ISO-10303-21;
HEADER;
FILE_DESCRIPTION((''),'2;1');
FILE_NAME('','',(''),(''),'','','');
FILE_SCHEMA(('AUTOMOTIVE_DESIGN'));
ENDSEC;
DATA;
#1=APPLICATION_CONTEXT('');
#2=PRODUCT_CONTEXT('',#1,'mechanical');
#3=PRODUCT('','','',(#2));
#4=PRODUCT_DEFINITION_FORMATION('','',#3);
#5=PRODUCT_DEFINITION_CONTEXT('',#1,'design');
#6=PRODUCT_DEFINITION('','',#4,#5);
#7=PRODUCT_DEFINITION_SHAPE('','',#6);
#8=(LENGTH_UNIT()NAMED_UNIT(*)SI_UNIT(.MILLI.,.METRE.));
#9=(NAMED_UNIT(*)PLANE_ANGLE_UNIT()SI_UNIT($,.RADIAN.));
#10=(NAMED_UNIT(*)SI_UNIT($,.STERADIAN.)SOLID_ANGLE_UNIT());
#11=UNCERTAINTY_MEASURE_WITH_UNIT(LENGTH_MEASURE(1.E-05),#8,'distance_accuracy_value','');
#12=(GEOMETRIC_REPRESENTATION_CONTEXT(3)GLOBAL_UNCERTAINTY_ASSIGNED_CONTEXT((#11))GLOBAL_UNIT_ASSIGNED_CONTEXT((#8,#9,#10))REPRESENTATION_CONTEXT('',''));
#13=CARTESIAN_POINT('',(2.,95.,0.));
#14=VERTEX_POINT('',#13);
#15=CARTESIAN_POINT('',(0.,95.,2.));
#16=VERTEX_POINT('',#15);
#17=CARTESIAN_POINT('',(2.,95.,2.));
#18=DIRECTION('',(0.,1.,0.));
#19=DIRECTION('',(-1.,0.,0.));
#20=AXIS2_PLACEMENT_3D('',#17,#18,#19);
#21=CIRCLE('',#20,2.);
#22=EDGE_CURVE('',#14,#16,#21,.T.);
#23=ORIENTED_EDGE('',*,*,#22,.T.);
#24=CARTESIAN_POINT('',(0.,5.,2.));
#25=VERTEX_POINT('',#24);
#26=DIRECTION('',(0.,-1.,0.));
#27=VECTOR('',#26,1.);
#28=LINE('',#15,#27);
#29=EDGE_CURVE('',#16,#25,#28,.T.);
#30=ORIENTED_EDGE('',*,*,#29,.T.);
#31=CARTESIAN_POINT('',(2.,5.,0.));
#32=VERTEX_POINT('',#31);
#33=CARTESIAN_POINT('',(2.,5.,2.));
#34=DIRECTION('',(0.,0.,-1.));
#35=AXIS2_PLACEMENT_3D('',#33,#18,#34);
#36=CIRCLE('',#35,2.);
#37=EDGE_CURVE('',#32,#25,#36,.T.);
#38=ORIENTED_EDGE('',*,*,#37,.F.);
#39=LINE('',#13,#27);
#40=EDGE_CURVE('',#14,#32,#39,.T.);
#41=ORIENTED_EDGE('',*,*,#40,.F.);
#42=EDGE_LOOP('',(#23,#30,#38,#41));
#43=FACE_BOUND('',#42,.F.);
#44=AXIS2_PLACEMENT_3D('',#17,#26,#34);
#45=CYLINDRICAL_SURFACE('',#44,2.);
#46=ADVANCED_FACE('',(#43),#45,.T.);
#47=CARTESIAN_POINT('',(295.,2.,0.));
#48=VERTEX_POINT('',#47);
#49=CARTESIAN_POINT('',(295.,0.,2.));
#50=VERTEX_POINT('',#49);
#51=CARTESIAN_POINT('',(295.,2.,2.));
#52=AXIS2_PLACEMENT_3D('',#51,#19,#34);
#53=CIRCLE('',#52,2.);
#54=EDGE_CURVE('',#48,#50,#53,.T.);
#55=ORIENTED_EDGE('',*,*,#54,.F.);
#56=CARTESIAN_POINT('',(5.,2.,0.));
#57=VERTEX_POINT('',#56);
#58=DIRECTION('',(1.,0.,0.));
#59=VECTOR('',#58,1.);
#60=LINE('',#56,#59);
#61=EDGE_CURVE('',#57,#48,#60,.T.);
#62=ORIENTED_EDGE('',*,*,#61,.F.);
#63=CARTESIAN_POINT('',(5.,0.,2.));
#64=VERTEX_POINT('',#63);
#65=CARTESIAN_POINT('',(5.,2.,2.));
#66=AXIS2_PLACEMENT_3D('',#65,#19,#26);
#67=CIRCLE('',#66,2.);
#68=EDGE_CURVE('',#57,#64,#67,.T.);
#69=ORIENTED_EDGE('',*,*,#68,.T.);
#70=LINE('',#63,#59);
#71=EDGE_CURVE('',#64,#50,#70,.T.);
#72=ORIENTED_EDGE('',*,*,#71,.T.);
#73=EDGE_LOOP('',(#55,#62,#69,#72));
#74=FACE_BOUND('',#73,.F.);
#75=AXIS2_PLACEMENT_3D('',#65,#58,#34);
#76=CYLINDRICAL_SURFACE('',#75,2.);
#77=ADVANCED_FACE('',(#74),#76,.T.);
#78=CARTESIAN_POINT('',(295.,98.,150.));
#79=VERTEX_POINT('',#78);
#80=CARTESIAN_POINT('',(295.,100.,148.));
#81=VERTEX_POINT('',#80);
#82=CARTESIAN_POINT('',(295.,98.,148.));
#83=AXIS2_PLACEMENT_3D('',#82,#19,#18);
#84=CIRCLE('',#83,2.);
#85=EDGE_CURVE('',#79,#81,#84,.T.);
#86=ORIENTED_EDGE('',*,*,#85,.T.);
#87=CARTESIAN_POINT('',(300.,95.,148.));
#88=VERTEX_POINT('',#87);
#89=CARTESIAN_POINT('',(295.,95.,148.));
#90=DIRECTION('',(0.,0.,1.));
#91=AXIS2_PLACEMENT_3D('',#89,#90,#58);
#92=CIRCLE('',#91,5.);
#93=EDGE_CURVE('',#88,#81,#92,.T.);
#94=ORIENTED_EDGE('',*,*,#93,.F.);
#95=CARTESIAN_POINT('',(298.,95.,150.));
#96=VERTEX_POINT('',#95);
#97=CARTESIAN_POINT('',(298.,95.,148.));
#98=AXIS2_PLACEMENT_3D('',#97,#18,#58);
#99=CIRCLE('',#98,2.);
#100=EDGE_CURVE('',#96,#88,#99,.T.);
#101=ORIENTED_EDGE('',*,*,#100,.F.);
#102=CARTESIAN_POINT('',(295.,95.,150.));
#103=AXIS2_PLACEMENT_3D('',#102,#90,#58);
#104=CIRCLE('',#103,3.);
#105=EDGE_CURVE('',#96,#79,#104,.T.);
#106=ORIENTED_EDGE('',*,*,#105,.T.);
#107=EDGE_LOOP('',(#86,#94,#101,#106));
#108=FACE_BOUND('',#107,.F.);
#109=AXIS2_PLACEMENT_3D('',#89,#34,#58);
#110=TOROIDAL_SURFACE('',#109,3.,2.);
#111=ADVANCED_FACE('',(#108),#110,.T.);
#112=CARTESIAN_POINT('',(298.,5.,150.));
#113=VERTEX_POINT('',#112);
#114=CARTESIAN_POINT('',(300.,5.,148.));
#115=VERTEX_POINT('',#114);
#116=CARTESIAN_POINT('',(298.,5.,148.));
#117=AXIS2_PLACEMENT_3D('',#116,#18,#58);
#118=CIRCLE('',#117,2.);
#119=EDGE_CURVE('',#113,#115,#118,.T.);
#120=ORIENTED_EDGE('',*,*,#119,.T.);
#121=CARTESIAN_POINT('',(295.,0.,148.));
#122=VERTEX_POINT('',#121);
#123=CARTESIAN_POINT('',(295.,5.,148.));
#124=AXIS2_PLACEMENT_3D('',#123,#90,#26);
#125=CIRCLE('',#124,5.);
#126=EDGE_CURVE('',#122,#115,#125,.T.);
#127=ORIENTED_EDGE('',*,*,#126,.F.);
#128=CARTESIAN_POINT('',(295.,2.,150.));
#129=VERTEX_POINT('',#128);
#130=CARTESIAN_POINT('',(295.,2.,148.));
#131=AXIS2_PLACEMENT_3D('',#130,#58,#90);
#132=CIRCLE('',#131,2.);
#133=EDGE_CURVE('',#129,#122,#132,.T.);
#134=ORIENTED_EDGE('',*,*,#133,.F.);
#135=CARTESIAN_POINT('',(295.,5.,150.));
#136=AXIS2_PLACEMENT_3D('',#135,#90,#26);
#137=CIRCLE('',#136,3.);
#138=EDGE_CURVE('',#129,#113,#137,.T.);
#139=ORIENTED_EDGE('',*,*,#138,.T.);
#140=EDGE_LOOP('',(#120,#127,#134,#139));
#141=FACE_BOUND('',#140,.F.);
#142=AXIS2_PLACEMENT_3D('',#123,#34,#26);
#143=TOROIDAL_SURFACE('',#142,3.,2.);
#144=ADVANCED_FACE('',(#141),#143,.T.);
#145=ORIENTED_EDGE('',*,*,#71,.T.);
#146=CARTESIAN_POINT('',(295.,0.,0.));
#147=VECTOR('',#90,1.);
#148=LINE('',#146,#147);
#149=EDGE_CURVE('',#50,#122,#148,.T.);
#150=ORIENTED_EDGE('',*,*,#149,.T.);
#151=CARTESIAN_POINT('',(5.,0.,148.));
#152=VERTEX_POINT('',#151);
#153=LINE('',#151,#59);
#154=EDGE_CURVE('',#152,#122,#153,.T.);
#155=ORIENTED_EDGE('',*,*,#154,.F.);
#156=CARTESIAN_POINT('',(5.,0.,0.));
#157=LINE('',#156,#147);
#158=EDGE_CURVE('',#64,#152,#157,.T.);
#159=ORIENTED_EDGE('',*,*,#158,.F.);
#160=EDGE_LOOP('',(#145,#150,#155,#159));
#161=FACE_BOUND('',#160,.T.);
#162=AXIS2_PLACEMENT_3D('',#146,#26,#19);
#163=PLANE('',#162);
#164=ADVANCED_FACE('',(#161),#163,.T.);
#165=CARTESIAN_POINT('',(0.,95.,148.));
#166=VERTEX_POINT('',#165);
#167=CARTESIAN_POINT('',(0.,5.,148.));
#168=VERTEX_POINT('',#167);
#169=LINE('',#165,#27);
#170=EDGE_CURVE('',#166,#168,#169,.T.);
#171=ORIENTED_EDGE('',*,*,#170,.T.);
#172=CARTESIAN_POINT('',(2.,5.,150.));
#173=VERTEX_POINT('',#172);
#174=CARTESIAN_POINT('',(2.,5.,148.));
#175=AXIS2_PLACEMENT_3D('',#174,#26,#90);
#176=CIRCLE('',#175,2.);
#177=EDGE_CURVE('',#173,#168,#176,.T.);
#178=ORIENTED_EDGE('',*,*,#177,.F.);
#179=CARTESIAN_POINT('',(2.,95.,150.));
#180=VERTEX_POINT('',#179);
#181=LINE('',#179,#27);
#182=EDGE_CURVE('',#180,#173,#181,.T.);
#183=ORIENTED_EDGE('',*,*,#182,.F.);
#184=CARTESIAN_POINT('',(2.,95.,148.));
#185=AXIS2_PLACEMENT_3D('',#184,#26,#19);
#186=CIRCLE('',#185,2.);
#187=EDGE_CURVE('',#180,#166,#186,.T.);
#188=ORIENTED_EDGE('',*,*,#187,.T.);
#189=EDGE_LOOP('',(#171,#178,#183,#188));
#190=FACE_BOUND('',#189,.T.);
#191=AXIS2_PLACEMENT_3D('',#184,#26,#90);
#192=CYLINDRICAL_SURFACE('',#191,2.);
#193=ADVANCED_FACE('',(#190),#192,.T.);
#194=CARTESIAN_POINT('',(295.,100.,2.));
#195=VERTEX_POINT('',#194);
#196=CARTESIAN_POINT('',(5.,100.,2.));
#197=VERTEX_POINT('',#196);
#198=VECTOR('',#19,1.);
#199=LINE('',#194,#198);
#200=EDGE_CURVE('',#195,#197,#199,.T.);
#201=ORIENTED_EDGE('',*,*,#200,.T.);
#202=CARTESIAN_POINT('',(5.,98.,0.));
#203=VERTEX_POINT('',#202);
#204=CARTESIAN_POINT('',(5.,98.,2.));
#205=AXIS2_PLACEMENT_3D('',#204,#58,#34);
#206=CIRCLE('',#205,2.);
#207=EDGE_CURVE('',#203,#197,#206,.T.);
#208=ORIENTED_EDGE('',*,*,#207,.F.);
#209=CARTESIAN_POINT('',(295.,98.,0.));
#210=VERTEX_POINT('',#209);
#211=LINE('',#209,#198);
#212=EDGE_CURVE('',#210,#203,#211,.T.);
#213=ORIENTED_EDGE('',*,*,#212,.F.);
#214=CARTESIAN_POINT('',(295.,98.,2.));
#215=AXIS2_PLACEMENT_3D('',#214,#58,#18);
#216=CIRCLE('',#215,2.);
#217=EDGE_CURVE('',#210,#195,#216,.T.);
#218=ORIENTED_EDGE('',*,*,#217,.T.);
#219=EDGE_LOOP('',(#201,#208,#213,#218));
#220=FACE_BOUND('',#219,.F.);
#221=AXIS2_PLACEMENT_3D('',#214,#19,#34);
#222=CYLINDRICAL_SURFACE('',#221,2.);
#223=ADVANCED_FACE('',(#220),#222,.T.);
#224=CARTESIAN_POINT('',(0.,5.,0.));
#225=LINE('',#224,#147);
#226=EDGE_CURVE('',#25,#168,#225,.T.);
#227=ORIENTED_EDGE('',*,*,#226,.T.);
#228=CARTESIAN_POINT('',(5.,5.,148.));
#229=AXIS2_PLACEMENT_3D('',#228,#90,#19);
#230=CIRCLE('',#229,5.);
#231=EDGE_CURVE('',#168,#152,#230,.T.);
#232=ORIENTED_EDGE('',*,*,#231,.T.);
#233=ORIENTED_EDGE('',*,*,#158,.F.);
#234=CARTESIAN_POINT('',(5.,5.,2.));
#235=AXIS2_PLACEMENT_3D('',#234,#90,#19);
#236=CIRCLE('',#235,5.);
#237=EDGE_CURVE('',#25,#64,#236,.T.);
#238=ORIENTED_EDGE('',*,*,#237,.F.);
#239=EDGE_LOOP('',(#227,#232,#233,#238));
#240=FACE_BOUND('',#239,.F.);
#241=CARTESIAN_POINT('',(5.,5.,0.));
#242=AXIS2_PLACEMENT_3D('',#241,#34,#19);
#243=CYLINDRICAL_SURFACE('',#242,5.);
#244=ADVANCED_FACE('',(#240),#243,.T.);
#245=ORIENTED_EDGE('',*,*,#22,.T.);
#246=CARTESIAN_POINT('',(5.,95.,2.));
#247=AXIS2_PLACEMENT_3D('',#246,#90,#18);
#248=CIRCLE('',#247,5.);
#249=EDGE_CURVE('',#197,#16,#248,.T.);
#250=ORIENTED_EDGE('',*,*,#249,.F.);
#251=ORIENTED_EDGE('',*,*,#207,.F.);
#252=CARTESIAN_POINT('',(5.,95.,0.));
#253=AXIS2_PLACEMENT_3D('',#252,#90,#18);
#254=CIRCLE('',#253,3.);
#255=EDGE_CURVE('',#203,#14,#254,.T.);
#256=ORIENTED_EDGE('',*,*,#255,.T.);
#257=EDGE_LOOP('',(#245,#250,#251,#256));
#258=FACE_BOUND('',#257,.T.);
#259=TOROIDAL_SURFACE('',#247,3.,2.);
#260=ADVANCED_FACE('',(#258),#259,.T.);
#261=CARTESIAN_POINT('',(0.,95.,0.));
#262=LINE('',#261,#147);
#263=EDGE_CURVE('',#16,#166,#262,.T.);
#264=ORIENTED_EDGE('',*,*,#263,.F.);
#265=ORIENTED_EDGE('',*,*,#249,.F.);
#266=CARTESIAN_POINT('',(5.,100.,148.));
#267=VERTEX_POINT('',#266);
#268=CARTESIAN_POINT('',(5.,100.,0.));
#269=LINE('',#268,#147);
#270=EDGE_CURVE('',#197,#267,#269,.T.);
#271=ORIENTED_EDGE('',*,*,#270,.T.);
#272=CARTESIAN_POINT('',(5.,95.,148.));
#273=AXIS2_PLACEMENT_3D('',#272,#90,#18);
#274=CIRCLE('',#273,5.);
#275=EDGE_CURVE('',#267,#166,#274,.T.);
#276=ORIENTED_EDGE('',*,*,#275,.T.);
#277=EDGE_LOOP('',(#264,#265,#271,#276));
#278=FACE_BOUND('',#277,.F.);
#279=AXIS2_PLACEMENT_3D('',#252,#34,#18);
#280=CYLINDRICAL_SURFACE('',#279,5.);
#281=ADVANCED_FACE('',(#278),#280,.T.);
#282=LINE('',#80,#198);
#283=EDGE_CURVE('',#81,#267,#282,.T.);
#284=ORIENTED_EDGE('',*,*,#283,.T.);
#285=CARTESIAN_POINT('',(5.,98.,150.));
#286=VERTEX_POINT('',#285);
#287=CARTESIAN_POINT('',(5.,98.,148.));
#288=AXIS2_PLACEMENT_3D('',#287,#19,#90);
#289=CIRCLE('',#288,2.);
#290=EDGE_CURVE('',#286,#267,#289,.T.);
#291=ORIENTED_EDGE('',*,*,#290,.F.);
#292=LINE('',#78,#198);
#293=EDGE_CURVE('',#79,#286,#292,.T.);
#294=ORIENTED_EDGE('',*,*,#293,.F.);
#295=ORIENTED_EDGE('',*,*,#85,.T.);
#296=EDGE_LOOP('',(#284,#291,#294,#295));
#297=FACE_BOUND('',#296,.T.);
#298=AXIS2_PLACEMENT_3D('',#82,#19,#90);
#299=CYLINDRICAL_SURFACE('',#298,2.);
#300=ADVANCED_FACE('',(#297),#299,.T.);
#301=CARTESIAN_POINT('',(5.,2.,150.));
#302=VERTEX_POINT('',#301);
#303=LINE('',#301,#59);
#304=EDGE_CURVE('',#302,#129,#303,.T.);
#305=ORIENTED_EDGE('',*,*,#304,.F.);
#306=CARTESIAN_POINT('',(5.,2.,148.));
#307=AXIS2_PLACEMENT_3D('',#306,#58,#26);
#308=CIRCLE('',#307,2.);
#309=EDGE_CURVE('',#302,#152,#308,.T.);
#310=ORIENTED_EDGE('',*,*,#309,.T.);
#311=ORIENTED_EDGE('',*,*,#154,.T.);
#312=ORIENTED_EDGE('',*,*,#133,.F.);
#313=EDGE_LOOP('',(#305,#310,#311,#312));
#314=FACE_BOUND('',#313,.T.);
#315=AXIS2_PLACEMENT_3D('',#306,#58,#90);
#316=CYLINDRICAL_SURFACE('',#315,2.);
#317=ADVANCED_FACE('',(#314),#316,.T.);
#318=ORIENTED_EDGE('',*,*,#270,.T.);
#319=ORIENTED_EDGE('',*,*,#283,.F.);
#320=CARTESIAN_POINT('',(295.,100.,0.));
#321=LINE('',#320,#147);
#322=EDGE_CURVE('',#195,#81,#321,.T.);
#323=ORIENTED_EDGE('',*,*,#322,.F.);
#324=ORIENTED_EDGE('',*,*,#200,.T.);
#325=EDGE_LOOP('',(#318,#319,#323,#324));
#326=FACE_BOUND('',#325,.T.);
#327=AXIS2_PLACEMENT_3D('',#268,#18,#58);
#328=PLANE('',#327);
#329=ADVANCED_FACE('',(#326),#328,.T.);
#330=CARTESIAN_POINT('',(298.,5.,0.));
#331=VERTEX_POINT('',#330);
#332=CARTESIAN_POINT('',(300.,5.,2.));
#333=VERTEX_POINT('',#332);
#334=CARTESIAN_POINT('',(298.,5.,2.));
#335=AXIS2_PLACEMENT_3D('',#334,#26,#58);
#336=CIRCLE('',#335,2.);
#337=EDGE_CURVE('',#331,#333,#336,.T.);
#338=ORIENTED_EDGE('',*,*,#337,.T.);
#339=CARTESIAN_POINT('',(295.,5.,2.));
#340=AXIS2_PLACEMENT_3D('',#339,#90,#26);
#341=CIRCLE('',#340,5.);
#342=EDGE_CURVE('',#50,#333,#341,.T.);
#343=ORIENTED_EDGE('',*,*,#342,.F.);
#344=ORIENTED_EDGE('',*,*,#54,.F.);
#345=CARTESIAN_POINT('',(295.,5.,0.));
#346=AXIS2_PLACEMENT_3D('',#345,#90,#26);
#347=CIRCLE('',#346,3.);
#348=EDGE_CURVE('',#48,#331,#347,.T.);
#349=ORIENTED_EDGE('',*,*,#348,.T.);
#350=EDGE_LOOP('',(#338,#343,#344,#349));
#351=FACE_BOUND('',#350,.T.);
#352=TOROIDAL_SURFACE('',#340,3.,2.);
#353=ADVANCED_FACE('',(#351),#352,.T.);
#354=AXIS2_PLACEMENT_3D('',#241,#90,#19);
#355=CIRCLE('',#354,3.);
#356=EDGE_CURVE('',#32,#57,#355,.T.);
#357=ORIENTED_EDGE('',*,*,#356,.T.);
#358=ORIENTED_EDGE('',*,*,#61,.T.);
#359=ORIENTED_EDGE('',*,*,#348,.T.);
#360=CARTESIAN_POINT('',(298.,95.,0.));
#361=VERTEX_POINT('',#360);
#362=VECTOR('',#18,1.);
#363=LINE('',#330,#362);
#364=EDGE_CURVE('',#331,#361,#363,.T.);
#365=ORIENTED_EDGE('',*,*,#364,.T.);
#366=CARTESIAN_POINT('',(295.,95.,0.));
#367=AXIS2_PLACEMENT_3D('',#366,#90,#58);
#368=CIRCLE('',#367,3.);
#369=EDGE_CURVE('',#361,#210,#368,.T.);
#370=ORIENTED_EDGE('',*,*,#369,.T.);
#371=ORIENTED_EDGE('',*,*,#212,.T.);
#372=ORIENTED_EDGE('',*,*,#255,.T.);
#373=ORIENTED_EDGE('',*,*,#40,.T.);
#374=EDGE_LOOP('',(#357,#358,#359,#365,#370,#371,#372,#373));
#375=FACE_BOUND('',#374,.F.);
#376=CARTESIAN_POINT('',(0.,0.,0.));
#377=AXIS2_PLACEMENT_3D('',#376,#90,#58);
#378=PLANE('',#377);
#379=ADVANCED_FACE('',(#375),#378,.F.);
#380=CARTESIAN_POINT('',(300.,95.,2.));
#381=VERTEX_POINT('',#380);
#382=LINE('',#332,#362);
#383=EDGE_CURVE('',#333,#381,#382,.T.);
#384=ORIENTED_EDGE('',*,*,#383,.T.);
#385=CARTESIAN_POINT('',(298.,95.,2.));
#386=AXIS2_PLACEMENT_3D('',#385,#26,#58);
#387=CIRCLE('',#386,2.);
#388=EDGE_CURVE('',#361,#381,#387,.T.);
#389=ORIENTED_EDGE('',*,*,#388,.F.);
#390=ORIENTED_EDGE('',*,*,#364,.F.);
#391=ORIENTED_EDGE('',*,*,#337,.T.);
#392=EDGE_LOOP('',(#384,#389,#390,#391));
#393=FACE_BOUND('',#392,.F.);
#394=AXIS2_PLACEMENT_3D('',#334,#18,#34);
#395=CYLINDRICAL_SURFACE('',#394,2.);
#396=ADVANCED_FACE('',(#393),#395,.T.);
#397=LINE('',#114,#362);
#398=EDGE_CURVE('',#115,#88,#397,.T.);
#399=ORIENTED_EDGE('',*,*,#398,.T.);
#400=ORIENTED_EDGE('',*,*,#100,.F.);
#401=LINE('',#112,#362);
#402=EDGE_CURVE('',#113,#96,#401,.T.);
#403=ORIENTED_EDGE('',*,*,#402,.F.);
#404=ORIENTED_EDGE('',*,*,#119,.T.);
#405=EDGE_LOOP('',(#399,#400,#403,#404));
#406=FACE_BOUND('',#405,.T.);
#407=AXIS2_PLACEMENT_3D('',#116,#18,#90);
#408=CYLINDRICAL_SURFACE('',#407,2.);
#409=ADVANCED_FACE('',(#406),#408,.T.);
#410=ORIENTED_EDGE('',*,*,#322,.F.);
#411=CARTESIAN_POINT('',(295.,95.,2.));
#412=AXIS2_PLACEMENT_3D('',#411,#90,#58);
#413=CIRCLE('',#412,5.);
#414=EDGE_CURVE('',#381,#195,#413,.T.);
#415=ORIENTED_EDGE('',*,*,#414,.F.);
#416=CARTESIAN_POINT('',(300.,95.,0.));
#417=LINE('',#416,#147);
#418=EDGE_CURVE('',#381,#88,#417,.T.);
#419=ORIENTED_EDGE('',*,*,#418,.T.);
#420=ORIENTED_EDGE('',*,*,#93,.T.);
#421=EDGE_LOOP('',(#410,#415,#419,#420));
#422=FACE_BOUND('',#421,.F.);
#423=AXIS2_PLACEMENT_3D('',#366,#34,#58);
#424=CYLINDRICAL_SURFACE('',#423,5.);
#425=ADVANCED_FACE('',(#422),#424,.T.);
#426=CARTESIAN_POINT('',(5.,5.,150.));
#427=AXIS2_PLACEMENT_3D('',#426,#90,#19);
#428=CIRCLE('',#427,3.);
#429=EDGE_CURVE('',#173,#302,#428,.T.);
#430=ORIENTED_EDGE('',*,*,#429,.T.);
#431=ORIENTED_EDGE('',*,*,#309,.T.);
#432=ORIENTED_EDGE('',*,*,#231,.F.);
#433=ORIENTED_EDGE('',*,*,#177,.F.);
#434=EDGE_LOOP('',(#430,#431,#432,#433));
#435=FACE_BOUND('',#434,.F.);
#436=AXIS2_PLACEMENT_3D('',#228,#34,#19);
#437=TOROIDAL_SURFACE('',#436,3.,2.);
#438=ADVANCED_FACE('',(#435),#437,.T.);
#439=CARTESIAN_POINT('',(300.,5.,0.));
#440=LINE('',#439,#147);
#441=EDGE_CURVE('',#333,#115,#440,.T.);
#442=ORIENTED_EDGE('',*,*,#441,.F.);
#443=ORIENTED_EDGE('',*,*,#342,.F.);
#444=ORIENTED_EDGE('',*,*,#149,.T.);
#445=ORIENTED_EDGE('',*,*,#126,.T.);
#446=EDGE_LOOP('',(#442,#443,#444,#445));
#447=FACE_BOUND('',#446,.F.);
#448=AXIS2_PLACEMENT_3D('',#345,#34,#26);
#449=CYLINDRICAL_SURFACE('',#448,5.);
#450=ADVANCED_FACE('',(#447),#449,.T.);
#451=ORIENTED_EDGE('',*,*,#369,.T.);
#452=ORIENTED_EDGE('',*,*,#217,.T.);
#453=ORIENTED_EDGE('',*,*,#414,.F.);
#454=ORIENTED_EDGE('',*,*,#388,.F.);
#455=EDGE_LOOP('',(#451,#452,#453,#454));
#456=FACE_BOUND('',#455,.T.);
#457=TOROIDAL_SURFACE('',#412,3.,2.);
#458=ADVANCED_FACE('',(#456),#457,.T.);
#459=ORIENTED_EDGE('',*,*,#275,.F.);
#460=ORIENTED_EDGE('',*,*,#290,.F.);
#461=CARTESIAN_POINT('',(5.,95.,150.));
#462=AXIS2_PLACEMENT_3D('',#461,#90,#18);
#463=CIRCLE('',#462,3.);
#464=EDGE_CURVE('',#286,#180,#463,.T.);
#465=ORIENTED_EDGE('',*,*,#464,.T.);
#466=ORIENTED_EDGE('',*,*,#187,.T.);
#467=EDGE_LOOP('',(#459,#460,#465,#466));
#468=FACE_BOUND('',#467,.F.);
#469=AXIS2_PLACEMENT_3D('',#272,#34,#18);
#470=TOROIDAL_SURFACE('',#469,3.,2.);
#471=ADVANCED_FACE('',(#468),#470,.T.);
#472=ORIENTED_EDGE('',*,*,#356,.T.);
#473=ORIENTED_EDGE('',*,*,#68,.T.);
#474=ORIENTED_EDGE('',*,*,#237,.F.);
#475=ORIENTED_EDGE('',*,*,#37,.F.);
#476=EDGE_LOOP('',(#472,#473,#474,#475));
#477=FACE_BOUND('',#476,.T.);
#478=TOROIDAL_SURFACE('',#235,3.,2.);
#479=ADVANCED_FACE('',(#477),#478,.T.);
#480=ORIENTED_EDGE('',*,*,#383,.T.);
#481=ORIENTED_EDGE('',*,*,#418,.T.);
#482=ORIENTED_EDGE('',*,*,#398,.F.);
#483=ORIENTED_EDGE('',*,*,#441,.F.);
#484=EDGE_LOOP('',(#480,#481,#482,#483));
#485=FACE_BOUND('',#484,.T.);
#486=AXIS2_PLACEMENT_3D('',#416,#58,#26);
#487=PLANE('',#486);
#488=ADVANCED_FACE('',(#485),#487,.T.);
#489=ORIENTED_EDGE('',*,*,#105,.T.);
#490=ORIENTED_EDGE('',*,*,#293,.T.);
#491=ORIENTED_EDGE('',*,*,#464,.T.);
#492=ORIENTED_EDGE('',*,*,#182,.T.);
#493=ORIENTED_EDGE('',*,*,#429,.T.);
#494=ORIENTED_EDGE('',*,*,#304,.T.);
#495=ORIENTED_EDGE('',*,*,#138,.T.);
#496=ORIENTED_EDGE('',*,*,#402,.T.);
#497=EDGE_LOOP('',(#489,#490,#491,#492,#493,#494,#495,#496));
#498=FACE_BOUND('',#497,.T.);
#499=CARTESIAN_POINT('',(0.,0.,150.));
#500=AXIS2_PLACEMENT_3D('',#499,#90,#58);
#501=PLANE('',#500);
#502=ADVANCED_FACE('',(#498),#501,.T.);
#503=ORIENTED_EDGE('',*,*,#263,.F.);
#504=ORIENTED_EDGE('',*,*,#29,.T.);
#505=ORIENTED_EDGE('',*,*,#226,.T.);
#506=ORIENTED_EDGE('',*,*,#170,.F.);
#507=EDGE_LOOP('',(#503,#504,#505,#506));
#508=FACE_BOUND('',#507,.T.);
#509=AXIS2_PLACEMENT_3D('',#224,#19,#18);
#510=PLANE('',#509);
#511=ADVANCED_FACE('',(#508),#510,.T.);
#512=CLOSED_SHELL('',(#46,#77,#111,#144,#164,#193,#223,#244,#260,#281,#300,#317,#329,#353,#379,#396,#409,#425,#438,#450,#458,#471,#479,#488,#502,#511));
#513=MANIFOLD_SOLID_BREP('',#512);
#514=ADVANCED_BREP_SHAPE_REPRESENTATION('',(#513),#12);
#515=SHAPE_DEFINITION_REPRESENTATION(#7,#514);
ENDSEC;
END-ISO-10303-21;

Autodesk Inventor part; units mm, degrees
ref_plane "YZ Plane" through (0, 0, 0) normal (1, 0, 0) x (0, 1, 0)
ref_plane "XZ Plane" through (0, 0, 0) normal (0, 1, 0) x (-1, 0, 0)
ref_plane "XY Plane" through (0, 0, 0) normal (0, 0, 1) x (1, 0, 0)
sketch "Sketch1" plane through (0, 0, 0) normal (0, 0, 1) x (1, 0, 0)
  line L0 (0, 5) -> (0, 95)
  line L1 (5, 100) -> (295, 100)
  line L2 (300, 95) -> (300, 5)
  line L3 (295, 0) -> (5, 0)
  arc A0 (5, 100) -> (0, 95) centre (5, 95) ccw
  arc A1 (0, 5) -> (5, 0) centre (5, 5) ccw
  arc A2 (295, 0) -> (300, 5) centre (295, 5) ccw
  arc A3 (300, 95) -> (295, 100) centre (295, 95) ccw
  line L4 (295, 95) -> (5, 95)
  line L5 (5, 95) -> (5, 5)
  line L6 (5, 5) -> (295, 5)
  line L7 (295, 5) -> (295, 95)
  point P0 (0, 0)
  point P1 (0, 100)
  point P2 (300, 100)
  dimension "d0" = 100
  dimension "d1" = 300
  dimension "d2" = 5
  dimension "d6" = 5
extrude "Extrusion1" add sketch "Sketch1" along normal blind 150 contours L0 A0 L1 A3 L2 A2 L3 A1 | L7 L6 L5 L4
fillet "Fillet1" radius 2 16 edges at (298.5355, 98.5355, 150) (150, 100, 150) (1.4645, 98.5355, 150) (0, 50, 150) (1.4645, 1.4645, 150) (150, 0, 150) (298.5355, 1.4645, 150) (300, 50, 150) (298.5355, 98.5355, 0) (150, 100, 0) (1.4645, 98.5355, 0) (0, 50, 0) (1.4645, 1.4645, 0) (150, 0, 0) (298.5355, 1.4645, 0) (300, 50, 0)
